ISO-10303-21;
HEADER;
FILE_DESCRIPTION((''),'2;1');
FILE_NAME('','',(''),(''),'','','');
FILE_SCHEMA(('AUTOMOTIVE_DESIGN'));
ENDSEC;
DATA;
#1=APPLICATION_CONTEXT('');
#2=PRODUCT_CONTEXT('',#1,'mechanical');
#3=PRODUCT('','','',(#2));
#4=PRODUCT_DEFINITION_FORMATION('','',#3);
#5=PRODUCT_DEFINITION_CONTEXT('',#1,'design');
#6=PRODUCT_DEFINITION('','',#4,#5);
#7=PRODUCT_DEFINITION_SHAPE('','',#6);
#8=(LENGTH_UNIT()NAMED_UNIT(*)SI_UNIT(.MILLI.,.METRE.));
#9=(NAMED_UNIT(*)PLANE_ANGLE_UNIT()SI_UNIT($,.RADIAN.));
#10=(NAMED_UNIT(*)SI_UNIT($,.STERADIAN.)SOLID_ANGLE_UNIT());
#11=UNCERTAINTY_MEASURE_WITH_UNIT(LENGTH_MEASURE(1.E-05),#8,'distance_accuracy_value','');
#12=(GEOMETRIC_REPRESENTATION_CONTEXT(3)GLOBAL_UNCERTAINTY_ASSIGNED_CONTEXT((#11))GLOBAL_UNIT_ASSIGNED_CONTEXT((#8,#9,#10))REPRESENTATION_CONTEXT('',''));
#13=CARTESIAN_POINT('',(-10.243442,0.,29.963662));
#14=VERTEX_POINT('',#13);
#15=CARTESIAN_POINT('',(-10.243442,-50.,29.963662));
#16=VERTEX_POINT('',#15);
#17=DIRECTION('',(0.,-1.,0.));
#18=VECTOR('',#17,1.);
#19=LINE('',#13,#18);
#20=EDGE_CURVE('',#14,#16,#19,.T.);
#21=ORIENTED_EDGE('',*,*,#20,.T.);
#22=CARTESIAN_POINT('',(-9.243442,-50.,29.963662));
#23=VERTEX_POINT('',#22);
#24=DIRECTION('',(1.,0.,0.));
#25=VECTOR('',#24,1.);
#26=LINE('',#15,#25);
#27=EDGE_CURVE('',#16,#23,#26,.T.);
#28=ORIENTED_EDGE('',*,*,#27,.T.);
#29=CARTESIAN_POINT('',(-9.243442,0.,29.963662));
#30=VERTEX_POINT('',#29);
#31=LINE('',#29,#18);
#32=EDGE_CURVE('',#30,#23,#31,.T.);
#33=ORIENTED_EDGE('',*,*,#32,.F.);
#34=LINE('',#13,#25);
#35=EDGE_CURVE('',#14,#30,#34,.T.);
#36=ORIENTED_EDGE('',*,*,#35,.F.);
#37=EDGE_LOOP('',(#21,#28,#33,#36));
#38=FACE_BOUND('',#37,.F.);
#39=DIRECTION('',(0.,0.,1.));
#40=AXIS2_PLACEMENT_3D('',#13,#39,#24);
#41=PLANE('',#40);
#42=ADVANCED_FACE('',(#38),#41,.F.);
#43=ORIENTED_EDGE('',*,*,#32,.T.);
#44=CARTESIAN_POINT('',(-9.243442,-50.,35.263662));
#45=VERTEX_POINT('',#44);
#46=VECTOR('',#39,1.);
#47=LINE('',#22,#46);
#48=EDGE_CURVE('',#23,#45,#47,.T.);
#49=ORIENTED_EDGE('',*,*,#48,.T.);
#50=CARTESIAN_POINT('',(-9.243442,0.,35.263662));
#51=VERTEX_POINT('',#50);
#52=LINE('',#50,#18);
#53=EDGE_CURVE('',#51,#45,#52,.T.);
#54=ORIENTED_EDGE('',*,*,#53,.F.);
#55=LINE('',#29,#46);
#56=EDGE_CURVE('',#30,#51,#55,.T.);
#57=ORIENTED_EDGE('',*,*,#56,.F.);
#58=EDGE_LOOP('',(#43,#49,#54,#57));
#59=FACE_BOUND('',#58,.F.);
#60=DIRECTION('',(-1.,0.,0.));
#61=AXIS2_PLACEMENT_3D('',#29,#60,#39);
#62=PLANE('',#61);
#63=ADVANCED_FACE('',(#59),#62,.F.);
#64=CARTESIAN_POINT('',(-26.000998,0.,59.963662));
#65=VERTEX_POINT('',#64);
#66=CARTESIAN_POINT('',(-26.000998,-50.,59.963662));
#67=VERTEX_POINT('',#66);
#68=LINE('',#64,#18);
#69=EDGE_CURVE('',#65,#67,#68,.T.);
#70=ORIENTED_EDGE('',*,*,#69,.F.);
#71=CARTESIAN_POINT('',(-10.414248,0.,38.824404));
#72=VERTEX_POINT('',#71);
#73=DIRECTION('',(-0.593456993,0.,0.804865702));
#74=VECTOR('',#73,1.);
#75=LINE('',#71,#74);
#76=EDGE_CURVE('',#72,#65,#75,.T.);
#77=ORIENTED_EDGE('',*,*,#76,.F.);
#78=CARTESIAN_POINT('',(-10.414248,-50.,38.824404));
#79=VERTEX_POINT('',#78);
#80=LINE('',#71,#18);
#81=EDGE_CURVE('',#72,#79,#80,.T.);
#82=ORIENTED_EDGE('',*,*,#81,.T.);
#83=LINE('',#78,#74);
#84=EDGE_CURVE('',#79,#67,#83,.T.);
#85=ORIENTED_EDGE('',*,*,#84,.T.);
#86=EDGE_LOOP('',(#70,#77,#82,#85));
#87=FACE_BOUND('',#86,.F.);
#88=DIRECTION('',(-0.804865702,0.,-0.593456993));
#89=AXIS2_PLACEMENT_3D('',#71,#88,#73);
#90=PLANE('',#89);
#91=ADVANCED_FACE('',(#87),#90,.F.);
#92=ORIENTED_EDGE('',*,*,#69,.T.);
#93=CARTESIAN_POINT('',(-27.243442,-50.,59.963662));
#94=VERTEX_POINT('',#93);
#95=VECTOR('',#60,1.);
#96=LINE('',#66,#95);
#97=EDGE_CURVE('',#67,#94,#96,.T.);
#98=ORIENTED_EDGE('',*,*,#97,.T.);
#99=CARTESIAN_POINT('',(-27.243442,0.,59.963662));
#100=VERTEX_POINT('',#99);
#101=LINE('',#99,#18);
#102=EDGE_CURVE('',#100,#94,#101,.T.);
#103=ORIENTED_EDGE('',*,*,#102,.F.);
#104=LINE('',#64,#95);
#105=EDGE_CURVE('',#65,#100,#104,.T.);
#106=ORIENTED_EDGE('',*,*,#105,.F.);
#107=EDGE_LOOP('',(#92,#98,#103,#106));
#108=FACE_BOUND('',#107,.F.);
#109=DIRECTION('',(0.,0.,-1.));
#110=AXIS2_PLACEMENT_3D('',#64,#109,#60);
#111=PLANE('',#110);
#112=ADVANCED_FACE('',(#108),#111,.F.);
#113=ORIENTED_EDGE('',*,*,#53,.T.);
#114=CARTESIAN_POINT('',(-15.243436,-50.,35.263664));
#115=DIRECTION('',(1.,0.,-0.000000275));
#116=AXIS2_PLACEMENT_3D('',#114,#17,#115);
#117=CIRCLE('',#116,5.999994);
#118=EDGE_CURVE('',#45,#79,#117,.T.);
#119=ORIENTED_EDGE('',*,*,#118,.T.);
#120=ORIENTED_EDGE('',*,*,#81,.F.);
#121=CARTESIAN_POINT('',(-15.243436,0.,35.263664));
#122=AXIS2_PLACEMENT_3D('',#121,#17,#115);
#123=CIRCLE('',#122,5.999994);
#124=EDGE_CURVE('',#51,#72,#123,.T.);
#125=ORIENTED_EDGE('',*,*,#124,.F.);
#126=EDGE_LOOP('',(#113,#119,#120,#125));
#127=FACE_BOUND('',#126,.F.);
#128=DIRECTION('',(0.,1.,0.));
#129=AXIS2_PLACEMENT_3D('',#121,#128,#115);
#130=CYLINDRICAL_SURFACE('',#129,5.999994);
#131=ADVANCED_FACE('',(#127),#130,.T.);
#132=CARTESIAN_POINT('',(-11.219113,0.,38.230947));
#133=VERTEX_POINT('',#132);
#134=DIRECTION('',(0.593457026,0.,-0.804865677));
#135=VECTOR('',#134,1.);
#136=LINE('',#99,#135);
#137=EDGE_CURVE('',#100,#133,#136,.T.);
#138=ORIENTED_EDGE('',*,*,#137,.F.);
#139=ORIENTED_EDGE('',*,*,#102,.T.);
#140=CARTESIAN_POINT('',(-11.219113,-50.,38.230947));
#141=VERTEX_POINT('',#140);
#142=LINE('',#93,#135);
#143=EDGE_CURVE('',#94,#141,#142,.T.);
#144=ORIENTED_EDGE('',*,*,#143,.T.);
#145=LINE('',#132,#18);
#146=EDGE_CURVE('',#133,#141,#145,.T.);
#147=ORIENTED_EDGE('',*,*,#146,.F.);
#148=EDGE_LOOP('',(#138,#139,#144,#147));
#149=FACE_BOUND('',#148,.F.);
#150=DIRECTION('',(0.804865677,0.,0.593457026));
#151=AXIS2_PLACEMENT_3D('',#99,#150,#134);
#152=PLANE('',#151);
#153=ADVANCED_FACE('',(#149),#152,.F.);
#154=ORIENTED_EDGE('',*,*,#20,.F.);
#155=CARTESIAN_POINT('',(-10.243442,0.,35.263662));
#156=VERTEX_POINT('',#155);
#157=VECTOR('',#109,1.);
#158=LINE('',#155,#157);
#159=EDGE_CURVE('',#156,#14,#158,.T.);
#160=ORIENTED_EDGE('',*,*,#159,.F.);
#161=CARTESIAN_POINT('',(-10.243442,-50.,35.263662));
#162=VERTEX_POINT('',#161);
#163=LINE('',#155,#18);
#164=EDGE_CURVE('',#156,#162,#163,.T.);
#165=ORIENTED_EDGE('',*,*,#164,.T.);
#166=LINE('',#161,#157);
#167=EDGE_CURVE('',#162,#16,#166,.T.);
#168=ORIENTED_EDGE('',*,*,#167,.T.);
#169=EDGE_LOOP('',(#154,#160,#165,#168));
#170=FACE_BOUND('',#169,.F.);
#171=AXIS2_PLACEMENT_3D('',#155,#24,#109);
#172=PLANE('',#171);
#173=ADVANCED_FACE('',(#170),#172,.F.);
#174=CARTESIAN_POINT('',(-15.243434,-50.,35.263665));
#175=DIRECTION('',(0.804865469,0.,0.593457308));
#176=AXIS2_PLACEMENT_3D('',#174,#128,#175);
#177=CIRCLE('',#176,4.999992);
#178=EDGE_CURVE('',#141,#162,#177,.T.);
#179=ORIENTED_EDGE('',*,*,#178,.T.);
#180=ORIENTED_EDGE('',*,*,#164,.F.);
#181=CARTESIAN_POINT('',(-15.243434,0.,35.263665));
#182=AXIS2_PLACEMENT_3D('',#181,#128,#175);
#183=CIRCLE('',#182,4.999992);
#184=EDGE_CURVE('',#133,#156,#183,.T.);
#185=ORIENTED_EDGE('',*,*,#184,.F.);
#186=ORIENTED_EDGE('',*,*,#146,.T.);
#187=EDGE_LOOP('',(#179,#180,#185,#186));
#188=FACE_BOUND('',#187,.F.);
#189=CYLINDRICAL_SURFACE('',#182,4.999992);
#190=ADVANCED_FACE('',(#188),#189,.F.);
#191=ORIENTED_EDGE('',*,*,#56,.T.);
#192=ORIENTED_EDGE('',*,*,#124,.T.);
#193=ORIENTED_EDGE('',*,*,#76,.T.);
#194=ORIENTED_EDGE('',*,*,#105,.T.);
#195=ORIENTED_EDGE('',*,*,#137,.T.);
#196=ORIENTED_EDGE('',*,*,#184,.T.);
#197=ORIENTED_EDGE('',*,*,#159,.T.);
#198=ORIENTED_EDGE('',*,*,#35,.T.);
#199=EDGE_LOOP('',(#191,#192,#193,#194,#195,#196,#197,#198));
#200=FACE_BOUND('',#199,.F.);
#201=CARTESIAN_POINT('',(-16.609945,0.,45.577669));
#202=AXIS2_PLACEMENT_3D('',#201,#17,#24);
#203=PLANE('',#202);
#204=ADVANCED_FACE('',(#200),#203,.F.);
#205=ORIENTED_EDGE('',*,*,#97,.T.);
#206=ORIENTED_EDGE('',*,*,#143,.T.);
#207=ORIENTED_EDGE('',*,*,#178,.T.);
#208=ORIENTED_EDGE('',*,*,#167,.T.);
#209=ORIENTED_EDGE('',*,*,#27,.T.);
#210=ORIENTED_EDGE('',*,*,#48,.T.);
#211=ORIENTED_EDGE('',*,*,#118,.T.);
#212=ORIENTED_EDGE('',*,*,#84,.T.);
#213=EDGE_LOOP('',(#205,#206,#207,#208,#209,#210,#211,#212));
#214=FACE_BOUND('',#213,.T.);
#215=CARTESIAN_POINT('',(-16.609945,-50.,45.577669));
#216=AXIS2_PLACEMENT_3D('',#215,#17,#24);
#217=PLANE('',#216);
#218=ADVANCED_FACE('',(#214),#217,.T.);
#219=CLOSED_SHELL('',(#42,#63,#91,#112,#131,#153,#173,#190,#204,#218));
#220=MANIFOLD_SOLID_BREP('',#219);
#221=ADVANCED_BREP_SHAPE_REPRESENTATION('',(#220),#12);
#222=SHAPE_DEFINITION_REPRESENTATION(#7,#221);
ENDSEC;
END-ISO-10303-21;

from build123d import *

# Parameters (mm, degrees)
F1_DEPTH = 50


with BuildPart() as f1:
    # F0 (on Front) → F1 (new body)
    with BuildSketch(Plane.XZ):
        with BuildLine():
            Line((-10.243442, 29.963662), (-9.243442, 29.963662))
            Line((-9.243442, 29.963662), (-9.243442, 35.263662))
            ThreePointArc((-9.243442, 35.263662), (-9.543654, 37.137807), (-10.414248, 38.824404))
            Line((-10.414248, 38.824404), (-26.000998, 59.963662))
            Line((-26.000998, 59.963662), (-27.243442, 59.963662))
            Line((-27.243442, 59.963662), (-11.219113, 38.230947))
            ThreePointArc((-11.219113, 38.230947), (-10.493618, 36.825449), (-10.243442, 35.263662))
            Line((-10.243442, 35.263662), (-10.243442, 29.963662))
        make_face()
    extrude(amount=F1_DEPTH)


solid = f1.part
